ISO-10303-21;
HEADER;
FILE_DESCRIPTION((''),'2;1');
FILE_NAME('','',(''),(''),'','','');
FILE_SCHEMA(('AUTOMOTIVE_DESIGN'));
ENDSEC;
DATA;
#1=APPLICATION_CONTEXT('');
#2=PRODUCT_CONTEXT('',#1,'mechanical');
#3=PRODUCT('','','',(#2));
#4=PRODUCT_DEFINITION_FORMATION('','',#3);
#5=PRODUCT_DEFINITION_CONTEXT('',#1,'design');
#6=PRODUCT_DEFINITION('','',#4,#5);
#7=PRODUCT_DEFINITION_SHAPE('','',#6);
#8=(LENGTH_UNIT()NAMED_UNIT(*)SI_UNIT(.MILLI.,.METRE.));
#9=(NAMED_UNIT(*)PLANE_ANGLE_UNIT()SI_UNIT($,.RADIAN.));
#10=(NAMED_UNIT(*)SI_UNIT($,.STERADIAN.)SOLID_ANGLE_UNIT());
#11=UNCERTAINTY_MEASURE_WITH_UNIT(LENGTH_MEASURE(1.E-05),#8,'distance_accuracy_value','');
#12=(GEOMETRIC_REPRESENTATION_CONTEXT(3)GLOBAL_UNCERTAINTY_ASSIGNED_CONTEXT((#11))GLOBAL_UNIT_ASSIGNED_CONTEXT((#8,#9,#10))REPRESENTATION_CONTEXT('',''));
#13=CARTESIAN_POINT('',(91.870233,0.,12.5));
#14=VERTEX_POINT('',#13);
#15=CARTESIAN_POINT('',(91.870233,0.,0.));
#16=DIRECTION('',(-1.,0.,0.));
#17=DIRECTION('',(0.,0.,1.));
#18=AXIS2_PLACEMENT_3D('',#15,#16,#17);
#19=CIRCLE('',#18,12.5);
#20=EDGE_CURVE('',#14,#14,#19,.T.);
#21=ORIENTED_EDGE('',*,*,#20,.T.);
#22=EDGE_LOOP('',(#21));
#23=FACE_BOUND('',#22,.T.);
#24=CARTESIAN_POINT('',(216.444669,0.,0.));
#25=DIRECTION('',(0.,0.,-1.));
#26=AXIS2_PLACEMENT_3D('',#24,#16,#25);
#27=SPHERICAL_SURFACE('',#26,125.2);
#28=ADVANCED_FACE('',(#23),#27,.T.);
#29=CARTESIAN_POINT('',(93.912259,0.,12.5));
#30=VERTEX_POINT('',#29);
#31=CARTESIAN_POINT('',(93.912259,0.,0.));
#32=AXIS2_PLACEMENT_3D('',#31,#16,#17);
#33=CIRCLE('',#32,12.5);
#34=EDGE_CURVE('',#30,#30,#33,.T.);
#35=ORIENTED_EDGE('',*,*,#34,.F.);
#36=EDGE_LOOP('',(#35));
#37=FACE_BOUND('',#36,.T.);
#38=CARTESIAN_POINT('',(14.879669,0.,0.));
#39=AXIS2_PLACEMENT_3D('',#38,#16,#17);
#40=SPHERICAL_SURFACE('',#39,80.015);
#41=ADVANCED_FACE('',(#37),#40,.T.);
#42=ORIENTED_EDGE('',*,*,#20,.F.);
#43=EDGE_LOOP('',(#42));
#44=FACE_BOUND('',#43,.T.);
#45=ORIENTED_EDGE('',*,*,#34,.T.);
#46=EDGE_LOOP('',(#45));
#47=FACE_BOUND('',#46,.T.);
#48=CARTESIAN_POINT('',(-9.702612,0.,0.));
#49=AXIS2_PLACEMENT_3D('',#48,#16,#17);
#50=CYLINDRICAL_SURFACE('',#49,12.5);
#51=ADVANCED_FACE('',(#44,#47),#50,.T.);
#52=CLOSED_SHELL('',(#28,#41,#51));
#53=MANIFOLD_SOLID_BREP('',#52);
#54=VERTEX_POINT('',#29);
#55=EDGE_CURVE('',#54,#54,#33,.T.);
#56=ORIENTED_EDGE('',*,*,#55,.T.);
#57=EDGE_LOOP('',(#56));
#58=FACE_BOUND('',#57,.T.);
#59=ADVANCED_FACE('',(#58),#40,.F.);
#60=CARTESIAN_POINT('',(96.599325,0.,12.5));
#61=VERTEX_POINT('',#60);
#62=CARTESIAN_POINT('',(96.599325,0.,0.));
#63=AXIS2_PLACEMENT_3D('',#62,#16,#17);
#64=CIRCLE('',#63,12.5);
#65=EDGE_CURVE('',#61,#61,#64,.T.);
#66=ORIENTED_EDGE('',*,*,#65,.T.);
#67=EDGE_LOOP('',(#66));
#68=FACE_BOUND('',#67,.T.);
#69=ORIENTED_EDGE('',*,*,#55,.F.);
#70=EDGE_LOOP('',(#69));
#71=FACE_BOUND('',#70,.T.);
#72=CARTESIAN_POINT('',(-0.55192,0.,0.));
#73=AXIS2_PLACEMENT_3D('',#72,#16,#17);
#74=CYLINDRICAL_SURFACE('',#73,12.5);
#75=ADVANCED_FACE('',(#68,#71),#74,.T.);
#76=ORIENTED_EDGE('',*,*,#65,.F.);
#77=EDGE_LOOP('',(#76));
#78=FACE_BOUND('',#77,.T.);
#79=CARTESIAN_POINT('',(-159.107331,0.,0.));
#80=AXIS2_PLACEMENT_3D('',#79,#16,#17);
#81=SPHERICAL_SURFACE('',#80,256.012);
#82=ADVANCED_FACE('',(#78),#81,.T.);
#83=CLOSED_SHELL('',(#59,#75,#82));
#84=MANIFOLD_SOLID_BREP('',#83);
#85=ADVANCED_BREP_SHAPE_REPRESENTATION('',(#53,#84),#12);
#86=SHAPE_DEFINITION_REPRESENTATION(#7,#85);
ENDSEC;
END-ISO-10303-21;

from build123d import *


with BuildPart() as part:
    # 草图1 one side → 旋转1 (revolve)
    with BuildSketch(Plane(origin=(0, 0, 0), x_dir=(1, 0, 0), z_dir=(0, 1, 0)), mode=Mode.PRIVATE) as revolve_1_sk:
        with BuildLine():
            ThreePointArc((91.870233394, 12.5), (91.401157877, 6.257821723), (91.244668974, 0))
            Line((91.244668974, 0), (94.894668974, 0))
            ThreePointArc((94.894668974, 0), (94.648688289, 6.269272887), (93.912258612, 12.5))
            Line((93.912258612, 12.5), (91.870233394, 12.5))
        make_face()
    revolve(revolve_1_sk.sketch.rotate(Axis((-9.702612178, 0, 0), (1, 0, 0)), 180), axis=Axis((-9.702612178, 0, 0), (1, 0, 0)))  # turned: the seam where the file's is


with BuildPart() as body_2:
    # 草图2 one side → 旋转3 (revolve)
    with BuildSketch(Plane(origin=(0, 0, 0), x_dir=(1, 0, 0), z_dir=(0, 1, 0)), mode=Mode.PRIVATE) as revolve_3_sk:
        with BuildLine():
            Line((96.599325406, 12.5), (93.912258612, 12.5))
            ThreePointArc((93.912258612, 12.5), (94.648688289, 6.269272887), (94.894668974, 0))
            Line((94.894668974, 0), (96.904668974, 0))
            ThreePointArc((96.904668974, 0), (96.828321698, 6.251864416), (96.599325406, 12.5))
        make_face()
    revolve(revolve_3_sk.sketch.rotate(Axis((-0.551919993, 0, 0), (1, 0, 0)), 180), axis=Axis((-0.551919993, 0, 0), (1, 0, 0)))  # turned: the seam where the file's is


solid = Compound([part.part, body_2.part])
